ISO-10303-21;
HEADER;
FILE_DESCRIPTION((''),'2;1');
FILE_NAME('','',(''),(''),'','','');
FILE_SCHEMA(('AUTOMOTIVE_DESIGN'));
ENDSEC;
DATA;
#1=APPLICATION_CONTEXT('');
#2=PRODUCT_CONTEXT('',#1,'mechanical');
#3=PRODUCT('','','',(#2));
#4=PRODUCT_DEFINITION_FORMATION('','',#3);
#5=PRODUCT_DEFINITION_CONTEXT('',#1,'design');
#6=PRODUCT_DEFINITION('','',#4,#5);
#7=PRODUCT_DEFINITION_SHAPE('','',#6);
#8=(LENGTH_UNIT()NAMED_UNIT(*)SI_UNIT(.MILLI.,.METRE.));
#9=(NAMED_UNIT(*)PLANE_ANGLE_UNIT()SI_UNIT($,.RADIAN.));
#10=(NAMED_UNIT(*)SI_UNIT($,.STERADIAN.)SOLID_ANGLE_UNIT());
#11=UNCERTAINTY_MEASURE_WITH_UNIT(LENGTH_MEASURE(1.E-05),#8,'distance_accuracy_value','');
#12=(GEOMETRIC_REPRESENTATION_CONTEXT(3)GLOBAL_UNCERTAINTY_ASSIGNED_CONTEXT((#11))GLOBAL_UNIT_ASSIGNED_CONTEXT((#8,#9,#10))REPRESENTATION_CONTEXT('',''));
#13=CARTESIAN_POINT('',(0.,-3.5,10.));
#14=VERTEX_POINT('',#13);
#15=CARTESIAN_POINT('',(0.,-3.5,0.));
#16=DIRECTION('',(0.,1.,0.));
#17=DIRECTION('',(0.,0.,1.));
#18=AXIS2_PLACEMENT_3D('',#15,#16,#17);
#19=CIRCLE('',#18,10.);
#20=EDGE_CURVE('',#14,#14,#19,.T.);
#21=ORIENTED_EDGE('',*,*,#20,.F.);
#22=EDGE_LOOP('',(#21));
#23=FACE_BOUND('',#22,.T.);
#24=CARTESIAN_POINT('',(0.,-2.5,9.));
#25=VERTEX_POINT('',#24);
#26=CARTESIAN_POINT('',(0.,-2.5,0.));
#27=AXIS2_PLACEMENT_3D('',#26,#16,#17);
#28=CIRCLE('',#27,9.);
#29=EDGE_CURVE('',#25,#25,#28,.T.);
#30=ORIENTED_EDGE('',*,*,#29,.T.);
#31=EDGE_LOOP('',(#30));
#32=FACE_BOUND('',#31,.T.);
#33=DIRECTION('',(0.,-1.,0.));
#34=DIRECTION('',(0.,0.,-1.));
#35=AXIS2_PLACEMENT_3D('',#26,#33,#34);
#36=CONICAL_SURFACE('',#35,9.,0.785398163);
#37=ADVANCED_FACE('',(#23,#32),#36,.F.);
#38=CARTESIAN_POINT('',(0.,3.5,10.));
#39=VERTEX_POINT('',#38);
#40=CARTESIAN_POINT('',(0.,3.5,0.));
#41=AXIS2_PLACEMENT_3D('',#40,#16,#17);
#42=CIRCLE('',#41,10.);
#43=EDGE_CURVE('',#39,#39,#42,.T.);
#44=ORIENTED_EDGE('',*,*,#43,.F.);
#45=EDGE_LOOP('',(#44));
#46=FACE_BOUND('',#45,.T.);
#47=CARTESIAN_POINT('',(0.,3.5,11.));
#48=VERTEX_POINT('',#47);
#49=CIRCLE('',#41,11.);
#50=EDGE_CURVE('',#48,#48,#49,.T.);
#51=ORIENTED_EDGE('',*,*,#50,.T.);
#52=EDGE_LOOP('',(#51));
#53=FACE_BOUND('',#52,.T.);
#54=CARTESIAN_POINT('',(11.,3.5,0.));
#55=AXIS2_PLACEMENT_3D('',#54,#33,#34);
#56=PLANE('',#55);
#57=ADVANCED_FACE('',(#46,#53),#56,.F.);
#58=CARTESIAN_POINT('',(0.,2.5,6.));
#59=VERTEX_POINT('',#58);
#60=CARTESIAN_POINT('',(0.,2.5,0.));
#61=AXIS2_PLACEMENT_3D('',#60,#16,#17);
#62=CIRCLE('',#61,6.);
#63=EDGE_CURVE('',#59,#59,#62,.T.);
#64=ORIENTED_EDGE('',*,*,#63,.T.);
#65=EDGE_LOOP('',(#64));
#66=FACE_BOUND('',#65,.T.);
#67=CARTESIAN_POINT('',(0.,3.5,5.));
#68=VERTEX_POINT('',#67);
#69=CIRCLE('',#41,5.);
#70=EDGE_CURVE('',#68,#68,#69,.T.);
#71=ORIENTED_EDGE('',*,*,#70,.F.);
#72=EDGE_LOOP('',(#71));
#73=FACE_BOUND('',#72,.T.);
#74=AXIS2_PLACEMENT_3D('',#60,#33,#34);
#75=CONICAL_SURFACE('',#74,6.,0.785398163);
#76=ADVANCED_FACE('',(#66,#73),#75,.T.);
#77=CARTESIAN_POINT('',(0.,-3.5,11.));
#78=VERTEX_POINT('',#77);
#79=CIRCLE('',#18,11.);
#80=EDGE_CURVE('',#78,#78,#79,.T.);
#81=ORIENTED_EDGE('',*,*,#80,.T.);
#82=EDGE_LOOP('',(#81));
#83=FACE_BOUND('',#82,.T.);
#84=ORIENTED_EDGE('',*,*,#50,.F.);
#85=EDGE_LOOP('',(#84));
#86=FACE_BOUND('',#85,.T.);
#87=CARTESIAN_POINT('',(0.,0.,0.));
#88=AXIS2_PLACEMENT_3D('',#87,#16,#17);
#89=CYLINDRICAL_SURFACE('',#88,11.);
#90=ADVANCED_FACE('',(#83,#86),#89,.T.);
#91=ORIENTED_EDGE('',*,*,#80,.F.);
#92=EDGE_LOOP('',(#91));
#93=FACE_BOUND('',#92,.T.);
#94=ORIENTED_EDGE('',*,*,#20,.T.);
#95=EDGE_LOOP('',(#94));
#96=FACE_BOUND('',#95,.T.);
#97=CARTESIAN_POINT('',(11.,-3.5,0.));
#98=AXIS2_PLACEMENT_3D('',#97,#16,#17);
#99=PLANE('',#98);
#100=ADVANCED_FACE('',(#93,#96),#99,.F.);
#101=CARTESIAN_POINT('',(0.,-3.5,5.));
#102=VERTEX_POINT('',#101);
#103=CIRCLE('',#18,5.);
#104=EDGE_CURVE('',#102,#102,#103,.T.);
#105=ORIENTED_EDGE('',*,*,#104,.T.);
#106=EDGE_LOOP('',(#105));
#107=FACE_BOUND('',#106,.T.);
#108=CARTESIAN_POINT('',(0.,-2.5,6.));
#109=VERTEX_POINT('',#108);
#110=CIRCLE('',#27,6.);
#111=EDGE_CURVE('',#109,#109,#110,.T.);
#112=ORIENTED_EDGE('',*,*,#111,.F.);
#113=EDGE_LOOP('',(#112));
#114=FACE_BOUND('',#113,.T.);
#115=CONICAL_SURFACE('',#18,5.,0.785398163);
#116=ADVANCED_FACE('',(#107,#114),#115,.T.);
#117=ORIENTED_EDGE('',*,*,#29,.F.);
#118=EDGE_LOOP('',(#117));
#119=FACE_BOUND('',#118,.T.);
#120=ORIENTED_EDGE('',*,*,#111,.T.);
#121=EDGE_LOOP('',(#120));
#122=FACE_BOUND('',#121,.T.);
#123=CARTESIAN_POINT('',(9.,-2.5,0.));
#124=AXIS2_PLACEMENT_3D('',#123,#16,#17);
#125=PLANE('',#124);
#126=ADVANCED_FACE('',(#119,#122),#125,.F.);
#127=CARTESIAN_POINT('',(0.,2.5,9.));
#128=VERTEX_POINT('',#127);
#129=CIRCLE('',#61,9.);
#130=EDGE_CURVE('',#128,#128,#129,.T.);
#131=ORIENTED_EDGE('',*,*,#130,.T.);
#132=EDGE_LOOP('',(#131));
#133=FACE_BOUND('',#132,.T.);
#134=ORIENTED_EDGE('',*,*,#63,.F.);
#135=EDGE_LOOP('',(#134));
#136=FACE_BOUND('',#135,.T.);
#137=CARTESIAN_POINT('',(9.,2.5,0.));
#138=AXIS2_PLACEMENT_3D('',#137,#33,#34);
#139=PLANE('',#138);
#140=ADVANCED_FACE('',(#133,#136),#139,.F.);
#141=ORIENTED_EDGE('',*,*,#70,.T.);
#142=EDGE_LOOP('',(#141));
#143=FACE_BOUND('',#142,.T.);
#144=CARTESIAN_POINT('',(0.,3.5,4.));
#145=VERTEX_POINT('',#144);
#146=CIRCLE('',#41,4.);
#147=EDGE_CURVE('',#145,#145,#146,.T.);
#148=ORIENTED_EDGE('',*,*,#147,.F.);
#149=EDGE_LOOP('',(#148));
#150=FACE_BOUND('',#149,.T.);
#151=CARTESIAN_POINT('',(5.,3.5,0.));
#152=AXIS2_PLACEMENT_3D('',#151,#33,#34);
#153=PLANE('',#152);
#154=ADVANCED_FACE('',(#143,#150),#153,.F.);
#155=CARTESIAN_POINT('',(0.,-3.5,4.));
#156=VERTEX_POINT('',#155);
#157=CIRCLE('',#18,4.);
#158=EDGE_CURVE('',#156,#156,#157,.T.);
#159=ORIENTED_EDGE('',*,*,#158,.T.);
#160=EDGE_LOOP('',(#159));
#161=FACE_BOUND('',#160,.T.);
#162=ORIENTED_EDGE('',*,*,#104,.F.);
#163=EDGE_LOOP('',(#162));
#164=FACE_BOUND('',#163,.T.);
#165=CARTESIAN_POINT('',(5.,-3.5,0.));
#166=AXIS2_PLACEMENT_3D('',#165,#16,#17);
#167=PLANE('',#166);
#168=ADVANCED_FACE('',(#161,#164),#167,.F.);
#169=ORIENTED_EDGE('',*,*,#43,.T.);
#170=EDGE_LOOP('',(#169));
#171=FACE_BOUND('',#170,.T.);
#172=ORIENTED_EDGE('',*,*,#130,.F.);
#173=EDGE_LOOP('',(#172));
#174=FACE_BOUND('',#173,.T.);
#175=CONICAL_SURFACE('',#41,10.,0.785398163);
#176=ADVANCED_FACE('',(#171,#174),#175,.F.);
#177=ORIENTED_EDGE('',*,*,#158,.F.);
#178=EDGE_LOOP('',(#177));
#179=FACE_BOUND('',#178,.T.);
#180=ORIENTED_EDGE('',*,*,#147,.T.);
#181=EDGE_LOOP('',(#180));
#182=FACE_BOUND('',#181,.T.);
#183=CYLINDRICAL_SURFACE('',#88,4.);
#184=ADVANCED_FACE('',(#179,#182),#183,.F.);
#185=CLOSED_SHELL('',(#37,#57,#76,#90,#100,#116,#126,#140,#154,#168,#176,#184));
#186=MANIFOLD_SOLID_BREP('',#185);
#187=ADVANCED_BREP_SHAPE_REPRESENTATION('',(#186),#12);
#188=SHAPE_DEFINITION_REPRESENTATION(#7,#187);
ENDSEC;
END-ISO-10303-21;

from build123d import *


with BuildPart() as part:
    # Sketch1 → Revolve1 (revolve)
    with BuildSketch(Plane.XY):
        Polygon((4, 3.5), (4, -3.5), (5, -3.5), (6, -2.5), (9, -2.5), (10, -3.5), (11, -3.5), (11, 3.5), (10, 3.5), (9, 2.5), (6, 2.5), (5, 3.5), align=None)
    revolve(axis=Axis((0, 0, 0), (0, -1, 0)))


solid = part.part
